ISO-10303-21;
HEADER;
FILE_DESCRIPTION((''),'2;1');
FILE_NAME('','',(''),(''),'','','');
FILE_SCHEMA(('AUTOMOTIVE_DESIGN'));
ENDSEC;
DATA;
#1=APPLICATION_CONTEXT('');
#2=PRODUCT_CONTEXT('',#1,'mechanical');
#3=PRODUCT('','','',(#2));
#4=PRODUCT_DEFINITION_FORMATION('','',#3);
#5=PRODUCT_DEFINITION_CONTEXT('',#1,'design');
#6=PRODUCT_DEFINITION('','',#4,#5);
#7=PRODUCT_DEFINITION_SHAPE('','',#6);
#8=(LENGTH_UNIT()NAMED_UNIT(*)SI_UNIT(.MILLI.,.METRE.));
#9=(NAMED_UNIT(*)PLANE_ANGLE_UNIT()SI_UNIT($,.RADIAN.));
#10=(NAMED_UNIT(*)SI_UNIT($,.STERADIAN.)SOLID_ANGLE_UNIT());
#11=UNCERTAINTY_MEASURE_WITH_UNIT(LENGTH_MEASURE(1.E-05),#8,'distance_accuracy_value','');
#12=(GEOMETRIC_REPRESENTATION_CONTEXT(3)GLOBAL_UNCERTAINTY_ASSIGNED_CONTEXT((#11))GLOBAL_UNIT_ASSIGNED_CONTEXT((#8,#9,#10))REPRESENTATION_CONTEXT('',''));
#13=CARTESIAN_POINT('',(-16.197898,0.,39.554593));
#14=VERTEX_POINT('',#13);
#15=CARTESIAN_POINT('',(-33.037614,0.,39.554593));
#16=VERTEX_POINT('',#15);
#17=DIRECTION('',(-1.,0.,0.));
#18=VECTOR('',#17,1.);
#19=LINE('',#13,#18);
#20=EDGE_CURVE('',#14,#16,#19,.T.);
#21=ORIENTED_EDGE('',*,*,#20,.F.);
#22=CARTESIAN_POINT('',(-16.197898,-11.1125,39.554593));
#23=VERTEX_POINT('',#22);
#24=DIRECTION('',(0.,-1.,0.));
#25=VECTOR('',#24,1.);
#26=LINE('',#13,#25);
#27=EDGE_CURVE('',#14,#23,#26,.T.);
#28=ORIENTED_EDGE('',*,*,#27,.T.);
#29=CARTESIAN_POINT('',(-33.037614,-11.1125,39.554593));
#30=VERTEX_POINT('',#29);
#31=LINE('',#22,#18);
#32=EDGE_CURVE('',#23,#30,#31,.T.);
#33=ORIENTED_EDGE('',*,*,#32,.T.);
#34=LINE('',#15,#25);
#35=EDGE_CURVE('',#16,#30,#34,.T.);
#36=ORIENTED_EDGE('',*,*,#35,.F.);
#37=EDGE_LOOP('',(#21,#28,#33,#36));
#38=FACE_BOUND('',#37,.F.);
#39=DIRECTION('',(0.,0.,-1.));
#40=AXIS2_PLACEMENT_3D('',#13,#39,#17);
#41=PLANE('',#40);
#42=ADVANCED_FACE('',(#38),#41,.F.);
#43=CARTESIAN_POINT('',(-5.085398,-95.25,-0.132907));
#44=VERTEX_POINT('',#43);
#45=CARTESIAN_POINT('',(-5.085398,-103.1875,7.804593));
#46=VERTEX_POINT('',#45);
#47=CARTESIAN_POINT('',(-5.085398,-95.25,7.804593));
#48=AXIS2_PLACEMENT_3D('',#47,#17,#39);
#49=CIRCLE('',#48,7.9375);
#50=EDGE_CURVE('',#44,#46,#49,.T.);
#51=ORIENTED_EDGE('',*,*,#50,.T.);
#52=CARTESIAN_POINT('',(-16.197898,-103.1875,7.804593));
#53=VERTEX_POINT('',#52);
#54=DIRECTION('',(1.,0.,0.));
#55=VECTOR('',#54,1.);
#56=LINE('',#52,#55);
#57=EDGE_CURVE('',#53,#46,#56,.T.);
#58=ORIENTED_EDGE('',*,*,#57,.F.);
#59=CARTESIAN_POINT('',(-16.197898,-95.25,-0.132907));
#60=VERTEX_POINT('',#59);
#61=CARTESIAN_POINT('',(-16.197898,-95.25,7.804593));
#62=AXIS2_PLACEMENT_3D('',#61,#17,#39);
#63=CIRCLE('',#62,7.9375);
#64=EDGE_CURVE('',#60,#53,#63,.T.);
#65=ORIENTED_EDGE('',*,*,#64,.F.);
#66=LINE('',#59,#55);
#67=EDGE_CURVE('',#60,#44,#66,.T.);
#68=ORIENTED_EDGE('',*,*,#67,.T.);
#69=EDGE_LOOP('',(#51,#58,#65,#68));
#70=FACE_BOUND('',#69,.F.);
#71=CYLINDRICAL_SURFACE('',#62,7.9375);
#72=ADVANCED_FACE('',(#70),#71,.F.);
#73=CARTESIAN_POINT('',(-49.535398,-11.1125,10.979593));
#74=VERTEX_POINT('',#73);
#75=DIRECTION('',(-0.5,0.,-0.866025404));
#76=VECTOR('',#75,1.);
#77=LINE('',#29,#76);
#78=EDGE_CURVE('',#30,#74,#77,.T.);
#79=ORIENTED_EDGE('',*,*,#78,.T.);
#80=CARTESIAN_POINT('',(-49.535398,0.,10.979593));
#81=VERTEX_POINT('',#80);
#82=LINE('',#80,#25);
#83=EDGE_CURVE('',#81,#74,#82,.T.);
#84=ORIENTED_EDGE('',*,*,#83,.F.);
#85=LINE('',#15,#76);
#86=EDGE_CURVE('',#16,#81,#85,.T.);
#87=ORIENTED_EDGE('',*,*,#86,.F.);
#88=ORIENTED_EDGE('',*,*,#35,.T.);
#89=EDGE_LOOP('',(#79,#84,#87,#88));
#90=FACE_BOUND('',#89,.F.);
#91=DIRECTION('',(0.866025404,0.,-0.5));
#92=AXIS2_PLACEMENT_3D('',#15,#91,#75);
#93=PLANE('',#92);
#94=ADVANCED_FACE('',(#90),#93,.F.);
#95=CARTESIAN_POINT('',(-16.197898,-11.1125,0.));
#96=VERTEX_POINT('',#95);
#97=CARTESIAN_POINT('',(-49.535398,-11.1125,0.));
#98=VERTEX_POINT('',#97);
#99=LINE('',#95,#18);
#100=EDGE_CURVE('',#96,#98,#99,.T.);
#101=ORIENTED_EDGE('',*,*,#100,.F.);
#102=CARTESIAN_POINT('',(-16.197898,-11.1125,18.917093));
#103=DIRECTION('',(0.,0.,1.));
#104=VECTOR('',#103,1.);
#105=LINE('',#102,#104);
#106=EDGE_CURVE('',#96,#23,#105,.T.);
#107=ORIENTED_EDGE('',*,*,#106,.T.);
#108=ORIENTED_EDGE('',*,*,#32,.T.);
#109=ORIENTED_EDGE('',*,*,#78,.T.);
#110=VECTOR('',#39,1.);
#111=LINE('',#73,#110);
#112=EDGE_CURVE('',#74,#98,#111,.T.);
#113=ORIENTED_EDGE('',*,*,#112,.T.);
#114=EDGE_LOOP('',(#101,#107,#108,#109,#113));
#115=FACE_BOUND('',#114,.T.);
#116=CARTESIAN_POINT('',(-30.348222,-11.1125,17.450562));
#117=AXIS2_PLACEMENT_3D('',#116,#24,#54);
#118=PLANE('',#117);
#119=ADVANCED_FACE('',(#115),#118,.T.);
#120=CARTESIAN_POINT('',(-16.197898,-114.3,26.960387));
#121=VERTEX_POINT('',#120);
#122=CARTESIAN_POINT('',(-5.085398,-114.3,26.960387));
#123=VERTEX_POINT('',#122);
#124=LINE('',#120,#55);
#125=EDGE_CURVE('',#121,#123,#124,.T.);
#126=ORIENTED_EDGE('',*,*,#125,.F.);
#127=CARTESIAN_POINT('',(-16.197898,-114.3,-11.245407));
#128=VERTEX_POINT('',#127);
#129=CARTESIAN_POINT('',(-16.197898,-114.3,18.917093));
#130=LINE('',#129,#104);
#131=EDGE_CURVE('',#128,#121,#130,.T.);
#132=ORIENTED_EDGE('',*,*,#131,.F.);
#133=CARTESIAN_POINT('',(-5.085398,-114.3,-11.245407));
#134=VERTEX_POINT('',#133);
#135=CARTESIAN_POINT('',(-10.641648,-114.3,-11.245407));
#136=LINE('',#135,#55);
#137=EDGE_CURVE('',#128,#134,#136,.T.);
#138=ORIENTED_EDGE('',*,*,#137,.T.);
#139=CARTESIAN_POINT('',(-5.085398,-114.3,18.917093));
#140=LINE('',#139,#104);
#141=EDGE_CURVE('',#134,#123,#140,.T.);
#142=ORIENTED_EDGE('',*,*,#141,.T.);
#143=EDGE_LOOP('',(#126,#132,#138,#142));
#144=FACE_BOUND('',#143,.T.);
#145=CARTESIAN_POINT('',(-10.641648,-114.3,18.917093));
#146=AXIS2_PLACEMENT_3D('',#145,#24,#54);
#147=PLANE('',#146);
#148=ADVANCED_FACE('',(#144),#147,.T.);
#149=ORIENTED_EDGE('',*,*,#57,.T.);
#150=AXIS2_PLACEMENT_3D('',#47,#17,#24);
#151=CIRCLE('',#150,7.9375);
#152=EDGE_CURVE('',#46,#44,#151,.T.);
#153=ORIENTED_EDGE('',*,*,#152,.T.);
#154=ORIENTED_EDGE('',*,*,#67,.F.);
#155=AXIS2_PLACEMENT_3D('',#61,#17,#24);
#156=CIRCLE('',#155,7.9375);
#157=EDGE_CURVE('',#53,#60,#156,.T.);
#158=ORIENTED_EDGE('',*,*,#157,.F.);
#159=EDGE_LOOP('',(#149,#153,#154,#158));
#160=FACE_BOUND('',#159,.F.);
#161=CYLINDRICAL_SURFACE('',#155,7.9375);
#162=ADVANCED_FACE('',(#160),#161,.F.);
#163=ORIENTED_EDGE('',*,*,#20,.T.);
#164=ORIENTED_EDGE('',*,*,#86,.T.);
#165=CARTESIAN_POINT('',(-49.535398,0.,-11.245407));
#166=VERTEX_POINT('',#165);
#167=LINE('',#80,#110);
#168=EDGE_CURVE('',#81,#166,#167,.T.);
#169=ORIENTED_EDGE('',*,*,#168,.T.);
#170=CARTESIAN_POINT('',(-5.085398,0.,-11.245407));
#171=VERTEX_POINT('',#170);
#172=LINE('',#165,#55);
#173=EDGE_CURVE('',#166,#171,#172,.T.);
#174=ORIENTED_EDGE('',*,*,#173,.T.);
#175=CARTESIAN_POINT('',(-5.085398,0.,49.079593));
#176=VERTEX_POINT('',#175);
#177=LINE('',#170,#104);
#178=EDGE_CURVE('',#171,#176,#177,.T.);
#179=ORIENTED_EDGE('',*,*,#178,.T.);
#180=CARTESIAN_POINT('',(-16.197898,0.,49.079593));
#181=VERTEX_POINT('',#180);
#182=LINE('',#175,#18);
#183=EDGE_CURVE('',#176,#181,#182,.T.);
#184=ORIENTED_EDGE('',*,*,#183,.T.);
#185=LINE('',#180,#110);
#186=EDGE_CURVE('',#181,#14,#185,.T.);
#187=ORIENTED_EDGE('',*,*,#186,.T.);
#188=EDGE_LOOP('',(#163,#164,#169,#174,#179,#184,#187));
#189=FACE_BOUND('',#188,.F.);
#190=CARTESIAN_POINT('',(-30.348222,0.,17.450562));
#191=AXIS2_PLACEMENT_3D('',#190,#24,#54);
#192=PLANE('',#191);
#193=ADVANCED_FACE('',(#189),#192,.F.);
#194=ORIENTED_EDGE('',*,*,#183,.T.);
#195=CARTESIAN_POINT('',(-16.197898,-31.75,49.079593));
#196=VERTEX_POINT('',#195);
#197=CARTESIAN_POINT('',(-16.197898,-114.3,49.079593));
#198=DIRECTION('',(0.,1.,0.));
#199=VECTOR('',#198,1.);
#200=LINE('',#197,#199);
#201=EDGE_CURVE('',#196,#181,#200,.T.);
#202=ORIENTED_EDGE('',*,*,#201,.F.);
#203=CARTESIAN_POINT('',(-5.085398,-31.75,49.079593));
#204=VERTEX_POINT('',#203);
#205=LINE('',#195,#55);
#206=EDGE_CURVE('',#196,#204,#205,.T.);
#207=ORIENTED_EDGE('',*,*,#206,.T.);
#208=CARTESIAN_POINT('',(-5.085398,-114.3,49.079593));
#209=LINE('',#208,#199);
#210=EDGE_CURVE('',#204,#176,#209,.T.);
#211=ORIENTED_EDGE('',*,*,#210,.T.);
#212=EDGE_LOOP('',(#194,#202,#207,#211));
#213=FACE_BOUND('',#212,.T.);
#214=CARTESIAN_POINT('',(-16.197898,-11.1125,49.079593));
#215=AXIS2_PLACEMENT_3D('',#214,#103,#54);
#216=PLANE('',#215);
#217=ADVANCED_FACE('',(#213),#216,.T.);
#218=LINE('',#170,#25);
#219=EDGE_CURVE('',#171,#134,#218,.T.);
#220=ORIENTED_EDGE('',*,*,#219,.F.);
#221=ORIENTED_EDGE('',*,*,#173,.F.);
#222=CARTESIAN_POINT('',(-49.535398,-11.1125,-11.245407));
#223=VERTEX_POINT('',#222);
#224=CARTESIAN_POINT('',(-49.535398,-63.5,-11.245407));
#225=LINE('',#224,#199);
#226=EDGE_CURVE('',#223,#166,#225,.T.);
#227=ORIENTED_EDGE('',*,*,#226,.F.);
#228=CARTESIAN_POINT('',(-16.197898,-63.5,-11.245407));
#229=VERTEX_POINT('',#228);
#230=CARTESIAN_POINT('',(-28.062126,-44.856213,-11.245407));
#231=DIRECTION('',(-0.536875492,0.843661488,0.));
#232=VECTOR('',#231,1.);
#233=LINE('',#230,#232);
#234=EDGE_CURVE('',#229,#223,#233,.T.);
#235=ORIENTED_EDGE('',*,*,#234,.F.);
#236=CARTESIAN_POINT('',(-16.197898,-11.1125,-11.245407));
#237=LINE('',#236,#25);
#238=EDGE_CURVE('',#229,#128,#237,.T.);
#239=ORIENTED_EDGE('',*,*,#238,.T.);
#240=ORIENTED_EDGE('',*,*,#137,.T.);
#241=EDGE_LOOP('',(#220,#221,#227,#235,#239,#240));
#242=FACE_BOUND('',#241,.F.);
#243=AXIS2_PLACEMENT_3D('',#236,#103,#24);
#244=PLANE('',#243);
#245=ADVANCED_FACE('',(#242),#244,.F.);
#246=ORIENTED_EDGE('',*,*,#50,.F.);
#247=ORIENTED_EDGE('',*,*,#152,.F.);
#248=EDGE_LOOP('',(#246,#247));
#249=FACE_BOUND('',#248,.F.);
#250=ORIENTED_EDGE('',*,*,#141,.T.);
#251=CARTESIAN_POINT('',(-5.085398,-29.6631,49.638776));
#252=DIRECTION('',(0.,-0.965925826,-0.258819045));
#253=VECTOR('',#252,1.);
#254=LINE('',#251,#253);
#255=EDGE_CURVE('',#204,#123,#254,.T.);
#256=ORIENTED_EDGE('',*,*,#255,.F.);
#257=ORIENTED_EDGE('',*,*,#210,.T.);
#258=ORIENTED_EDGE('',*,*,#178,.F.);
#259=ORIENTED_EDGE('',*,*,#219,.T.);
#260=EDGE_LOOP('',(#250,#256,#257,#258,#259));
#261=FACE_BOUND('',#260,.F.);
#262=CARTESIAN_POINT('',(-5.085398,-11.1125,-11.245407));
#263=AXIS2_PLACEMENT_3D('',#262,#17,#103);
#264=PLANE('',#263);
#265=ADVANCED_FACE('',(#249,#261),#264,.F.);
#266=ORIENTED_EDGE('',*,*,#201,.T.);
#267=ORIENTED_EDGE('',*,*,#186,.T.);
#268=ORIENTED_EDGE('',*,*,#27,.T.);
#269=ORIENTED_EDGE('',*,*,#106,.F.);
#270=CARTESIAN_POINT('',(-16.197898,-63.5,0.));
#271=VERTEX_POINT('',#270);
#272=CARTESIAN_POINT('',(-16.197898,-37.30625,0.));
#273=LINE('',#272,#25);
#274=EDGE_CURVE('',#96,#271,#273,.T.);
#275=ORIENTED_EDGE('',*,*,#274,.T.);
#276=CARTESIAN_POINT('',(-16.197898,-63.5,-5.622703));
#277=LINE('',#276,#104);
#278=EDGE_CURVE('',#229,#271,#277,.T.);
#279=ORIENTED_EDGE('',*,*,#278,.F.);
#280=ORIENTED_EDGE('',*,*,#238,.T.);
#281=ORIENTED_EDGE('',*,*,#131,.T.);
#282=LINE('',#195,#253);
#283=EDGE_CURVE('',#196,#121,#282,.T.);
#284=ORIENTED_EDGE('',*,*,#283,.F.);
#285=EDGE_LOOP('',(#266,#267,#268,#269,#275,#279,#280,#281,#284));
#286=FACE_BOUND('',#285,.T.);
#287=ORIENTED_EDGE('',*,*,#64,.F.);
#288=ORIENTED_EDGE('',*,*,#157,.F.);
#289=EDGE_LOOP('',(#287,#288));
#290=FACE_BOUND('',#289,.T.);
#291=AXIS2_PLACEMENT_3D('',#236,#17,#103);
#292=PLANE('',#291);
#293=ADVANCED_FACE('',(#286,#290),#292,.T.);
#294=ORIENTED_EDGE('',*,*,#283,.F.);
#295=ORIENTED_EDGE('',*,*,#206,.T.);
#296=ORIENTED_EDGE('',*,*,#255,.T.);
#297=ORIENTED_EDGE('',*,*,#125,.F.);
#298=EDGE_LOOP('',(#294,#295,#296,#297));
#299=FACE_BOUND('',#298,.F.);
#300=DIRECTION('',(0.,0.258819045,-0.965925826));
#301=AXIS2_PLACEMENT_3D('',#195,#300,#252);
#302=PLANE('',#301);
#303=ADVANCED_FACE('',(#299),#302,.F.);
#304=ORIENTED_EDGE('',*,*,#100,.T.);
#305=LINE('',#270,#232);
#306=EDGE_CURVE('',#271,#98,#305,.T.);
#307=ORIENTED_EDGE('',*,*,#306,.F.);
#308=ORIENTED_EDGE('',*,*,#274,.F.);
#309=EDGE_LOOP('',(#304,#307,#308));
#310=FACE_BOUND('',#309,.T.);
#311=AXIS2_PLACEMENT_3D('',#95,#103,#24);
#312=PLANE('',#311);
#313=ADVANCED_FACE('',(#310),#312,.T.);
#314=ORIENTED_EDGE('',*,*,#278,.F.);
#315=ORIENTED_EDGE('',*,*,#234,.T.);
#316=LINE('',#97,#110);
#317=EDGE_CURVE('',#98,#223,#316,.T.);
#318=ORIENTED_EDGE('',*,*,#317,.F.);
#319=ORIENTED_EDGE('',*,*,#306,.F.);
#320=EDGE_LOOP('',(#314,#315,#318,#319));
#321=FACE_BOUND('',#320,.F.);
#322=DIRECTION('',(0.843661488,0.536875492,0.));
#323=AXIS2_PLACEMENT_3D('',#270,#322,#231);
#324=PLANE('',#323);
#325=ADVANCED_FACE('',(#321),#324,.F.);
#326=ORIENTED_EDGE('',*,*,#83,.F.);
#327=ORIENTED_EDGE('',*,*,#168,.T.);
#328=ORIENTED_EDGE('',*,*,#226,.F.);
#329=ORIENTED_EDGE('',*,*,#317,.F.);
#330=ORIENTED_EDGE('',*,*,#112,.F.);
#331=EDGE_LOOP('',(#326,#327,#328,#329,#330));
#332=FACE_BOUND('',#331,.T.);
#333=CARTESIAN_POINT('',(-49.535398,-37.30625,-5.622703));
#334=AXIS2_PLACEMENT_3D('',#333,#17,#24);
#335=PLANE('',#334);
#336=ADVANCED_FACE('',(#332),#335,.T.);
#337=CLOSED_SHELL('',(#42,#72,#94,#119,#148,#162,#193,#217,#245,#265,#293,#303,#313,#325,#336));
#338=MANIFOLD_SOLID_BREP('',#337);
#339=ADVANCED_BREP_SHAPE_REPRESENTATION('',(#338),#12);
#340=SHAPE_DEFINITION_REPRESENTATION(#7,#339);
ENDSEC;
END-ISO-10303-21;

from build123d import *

# Parameters (mm, degrees)
F0_W     = 33.3375
F0_H     = 11.1125
F0_W_2   = 11.1125
F1_DEPTH = 11.1125
F2_W     = 11.1125
F2_H     = 60.325
F3_DEPTH = 103.1875
F6_DEPTH = 25.4
F5_W     = 52.3875
F5_H     = 11.2454069465
F7_DEPTH = 33.3375
F9_DEPTH = 25.4


with BuildPart() as f1:
    # F0 (on Front) → F1 (new body)
    with BuildSketch(Plane.XZ):
        Polygon((-49.5353981066, -0.1329069465), (-16.1978981066, -0.1329069465), (-16.1978981066, 39.5545930535), (-33.0376141645, 39.5545930535), (-49.5353981066, 10.9795930535), align=None)
        with Locations((-32.8666481066, -5.6891569465)):
            Rectangle(F0_W, F0_H)
        with Locations((-10.6416481066, -5.6891569465)):
            Rectangle(F0_W_2, F0_H)
        Polygon((-16.1978981066, -0.1329069465), (-5.0853981066, -0.1329069465), (-5.0853981066, 49.0795930535), (-16.1978981066, 49.0795930535), (-16.1978981066, 39.5545930535), align=None)
    extrude(amount=F1_DEPTH)

    # F2 (on face) → F3 (join)
    with BuildSketch(Plane.XZ.offset(11.1125)):
        with Locations((-10.6416481066, 18.9170930535)):
            Rectangle(F2_W, F2_H)
    extrude(amount=F3_DEPTH)

    # F4 (on face) → F6 (cut)
    with BuildSketch(Plane(origin=(-16.1978981066, 0, 0), x_dir=(0, -1, 0), z_dir=(-1, 0, 0))):
        Polygon((114.3, 49.0795930535), (31.75, 49.0795930535), (114.3, 26.9603872183), align=None)
        with BuildLine():
            ThreePointArc((103.1875, 7.8045930535), (89.6373399243, 13.4172531291), (95.25, -0.1329069465))
            ThreePointArc((95.25, -0.1329069465), (100.8626600757, 2.1919329778), (103.1875, 7.8045930535))
        make_face()
    extrude(amount=-F6_DEPTH, mode=Mode.SUBTRACT)

    # F5 (on face) → F7 (join)
    with BuildSketch(Plane(origin=(-16.1978981066, 0, 0), x_dir=(0, -1, 0), z_dir=(-1, 0, 0))):
        with Locations((37.30625, -5.6227034733)):
            Rectangle(F5_W, F5_H)
    extrude(amount=F7_DEPTH)

    # F8 (on face) → F9 (cut)
    with BuildSketch(Plane.XY):
        Polygon((-16.1978981066, -63.5), (-49.5353981066, -11.1125), (-49.5353981066, -63.5), align=None)
    extrude(amount=-F9_DEPTH, mode=Mode.SUBTRACT)


solid = f1.part
